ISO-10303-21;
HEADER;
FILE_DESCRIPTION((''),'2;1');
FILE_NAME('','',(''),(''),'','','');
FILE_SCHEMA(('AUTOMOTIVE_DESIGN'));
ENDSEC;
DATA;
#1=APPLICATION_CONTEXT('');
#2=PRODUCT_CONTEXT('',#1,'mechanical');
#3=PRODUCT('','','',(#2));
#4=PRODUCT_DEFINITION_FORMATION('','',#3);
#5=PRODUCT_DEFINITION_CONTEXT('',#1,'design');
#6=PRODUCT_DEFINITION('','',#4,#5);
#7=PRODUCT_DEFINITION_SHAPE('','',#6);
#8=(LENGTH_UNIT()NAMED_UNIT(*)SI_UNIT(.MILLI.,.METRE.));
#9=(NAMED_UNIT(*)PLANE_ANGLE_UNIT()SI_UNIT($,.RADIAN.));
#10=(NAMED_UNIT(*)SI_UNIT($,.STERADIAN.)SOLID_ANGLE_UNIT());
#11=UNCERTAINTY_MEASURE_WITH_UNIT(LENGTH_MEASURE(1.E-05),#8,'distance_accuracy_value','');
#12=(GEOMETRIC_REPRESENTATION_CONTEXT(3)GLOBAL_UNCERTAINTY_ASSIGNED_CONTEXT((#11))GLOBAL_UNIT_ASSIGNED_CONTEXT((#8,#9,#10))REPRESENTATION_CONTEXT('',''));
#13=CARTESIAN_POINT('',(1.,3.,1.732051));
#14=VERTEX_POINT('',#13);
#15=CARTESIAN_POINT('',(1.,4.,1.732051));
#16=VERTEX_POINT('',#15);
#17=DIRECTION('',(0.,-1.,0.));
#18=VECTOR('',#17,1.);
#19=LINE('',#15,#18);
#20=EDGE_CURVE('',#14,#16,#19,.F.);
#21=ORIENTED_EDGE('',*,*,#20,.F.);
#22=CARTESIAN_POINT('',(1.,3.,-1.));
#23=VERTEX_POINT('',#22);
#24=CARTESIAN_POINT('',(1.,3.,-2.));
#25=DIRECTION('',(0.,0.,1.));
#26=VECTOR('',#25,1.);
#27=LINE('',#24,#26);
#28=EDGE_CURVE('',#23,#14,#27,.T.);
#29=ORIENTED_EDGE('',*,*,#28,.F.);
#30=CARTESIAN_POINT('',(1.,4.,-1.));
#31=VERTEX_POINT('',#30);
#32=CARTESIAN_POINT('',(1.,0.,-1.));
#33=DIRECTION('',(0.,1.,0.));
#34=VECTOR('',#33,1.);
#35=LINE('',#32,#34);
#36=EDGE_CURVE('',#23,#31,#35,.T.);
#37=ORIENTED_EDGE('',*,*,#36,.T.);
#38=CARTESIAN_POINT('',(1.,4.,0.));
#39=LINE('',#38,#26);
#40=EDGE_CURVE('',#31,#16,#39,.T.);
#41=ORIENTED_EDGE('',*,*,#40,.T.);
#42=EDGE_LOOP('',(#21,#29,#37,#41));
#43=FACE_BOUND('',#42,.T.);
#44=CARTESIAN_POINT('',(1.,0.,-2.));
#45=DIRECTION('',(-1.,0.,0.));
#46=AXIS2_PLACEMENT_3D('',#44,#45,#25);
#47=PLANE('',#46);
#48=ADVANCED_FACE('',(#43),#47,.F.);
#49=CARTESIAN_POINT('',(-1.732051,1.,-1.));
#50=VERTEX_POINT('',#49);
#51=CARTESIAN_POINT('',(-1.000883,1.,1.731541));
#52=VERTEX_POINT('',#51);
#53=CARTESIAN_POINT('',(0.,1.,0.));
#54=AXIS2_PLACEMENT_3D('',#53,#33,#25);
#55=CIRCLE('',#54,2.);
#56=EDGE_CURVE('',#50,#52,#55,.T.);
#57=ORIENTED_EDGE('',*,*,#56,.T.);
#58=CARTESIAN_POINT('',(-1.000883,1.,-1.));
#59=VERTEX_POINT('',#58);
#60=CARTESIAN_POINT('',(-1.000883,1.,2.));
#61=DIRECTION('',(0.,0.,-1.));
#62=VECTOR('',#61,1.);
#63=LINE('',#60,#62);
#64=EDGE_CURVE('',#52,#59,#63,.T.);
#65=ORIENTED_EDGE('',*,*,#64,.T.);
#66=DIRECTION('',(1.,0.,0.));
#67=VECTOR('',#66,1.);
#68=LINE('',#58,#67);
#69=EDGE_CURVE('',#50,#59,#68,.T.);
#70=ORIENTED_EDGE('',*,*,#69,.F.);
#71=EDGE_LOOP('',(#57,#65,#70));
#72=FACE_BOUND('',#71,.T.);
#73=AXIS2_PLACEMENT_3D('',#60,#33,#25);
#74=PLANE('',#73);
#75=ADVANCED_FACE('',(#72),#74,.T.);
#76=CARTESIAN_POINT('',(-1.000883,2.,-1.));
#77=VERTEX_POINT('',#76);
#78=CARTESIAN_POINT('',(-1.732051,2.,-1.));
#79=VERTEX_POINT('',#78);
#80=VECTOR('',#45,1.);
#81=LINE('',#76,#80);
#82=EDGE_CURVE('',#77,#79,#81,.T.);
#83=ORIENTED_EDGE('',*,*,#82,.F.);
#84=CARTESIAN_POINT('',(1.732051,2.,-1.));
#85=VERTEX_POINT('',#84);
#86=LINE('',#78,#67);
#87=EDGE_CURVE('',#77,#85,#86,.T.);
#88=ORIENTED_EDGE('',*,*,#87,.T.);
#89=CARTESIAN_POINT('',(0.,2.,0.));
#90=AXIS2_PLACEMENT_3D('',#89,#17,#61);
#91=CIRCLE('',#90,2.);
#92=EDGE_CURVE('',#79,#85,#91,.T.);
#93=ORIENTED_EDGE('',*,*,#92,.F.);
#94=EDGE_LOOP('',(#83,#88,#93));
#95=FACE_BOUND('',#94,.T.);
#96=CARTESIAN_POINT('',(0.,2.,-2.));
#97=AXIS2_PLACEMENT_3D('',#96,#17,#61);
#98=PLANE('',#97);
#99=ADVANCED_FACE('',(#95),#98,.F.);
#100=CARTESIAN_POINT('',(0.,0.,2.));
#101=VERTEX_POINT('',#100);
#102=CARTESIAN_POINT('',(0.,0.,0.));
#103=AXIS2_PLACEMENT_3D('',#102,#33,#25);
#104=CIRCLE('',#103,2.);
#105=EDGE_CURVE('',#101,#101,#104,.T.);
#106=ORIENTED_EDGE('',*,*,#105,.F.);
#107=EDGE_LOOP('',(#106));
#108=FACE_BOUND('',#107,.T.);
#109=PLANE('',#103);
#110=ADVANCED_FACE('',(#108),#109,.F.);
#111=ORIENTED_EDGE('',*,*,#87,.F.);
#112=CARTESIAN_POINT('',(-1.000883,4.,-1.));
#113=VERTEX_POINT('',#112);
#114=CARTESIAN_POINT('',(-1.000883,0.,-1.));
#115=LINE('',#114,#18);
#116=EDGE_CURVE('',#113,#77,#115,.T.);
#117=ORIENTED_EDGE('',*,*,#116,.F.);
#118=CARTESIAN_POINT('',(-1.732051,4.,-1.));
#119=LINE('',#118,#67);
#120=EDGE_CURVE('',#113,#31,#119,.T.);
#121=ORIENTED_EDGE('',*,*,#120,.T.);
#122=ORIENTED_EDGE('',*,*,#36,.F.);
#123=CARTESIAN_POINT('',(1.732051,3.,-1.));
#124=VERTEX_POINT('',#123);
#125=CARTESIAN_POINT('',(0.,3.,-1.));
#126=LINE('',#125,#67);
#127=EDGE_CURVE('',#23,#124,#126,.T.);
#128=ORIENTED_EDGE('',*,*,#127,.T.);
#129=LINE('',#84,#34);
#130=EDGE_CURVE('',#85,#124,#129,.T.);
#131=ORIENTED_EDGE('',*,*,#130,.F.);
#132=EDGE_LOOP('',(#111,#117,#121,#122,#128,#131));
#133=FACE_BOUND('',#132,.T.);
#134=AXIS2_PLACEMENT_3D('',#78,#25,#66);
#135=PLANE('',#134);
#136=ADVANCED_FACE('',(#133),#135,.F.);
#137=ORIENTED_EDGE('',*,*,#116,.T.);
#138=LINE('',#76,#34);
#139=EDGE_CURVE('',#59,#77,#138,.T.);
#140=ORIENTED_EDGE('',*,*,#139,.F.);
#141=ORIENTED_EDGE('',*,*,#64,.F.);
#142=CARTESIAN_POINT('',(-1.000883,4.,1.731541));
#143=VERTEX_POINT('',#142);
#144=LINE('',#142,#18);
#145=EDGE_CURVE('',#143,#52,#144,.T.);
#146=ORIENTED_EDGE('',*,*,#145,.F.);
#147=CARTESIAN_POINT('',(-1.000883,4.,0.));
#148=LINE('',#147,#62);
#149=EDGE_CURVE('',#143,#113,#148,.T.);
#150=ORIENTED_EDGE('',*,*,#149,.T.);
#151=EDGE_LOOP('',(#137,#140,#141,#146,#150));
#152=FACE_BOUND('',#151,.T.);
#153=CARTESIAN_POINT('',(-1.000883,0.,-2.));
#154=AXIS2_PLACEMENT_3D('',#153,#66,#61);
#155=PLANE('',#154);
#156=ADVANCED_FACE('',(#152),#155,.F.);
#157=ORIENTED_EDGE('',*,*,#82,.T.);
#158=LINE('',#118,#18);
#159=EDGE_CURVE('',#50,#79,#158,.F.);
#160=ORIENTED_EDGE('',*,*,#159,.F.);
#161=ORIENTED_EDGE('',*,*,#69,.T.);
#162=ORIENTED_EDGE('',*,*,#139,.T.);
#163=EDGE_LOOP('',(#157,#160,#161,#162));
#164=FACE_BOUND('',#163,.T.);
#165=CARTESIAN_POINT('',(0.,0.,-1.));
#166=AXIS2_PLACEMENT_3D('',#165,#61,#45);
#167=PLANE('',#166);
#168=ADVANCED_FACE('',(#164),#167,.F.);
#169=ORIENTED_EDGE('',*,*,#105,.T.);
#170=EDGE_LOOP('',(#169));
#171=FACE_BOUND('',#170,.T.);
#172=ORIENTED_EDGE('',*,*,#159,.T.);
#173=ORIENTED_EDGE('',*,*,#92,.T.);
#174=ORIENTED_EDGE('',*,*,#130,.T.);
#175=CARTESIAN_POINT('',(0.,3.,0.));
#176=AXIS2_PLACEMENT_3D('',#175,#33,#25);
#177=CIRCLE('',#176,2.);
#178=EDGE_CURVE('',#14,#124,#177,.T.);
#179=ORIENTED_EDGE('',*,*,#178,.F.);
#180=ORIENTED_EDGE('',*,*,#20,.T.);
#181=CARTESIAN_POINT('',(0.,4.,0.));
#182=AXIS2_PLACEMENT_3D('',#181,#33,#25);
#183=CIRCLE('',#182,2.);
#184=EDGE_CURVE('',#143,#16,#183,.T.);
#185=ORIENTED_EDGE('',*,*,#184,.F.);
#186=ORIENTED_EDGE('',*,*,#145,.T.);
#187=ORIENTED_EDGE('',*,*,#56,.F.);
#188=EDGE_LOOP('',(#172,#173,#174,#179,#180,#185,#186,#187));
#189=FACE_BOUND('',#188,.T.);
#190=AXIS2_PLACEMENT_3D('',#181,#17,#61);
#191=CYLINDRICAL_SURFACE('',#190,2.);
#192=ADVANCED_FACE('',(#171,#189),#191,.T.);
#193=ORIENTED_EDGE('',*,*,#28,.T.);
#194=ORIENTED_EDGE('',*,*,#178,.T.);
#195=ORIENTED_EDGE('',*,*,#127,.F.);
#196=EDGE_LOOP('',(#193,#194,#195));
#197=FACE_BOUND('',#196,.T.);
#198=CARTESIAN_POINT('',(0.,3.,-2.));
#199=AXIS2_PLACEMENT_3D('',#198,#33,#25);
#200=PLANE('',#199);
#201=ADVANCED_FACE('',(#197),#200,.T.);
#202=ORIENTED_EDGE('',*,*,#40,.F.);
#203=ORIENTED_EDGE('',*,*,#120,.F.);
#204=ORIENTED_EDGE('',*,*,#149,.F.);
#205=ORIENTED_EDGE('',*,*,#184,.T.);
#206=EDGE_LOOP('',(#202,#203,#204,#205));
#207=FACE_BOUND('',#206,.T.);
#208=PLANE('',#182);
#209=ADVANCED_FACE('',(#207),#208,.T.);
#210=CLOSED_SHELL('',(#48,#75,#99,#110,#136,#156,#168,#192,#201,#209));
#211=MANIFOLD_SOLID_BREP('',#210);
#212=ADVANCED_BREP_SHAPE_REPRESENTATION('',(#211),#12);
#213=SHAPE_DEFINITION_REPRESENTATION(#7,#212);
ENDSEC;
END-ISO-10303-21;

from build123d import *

# Parameters (mm, degrees)
SKETCH1_R               = 2
BOSS_EXTRUDE1_DEPTH     = 4
SKETCH2_W               = 1
SKETCH2_H               = 1
CUT_EXTRUDE1_DEPTH      = 2
CUT_EXTRUDE2_DEPTH      = 2
SKETCH4_W               = 0.999117212
SKETCH4_H               = 1
CUT_EXTRUDE3_DEPTH      = 2
CUT_EXTRUDE3_DEPTH_BACK = 1


with BuildPart() as part:
    # Sketch1 → Boss-Extrude1 (new body)
    with BuildSketch(Plane(origin=(0, 0, 0), x_dir=(1, 0, 0), z_dir=(0, 1, 0))):
        Circle(SKETCH1_R)
    extrude(amount=BOSS_EXTRUDE1_DEPTH)

    # Sketch2 → Cut-Extrude1 (cut, symmetric)
    with BuildSketch(Plane.XY):
        Polygon((-1.000882788, 3), (-1.000882788, 4), (-2, 4), (-2, 2), (-1.000882788, 2), align=None)
        with Locations((1.5, 3.5)):
            Rectangle(SKETCH2_W, SKETCH2_H)
    extrude(amount=CUT_EXTRUDE1_DEPTH, both=True, mode=Mode.SUBTRACT)

    # Sketch3 → Cut-Extrude2 (cut)
    with BuildSketch(Plane(origin=(0, 4, 0), x_dir=(1, 0, 0), z_dir=(0, 1, 0))):
        with BuildLine():
            Line((-1.732050808, 1), (1.732050808, 1))
            ThreePointArc((1.732050808, 1), (0, 2), (-1.732050808, 1))
        make_face()
    extrude(amount=-CUT_EXTRUDE2_DEPTH, mode=Mode.SUBTRACT)

    # Sketch4 → Cut-Extrude3 (cut, two sides)
    with BuildSketch(Plane.XY) as cut_extrude3_sk:
        with Locations((-1.500441394, 1.5)):
            Rectangle(SKETCH4_W, SKETCH4_H)
    extrude(amount=CUT_EXTRUDE3_DEPTH, mode=Mode.SUBTRACT)
    extrude(cut_extrude3_sk.sketch, amount=-CUT_EXTRUDE3_DEPTH_BACK, mode=Mode.SUBTRACT)


solid = part.part
